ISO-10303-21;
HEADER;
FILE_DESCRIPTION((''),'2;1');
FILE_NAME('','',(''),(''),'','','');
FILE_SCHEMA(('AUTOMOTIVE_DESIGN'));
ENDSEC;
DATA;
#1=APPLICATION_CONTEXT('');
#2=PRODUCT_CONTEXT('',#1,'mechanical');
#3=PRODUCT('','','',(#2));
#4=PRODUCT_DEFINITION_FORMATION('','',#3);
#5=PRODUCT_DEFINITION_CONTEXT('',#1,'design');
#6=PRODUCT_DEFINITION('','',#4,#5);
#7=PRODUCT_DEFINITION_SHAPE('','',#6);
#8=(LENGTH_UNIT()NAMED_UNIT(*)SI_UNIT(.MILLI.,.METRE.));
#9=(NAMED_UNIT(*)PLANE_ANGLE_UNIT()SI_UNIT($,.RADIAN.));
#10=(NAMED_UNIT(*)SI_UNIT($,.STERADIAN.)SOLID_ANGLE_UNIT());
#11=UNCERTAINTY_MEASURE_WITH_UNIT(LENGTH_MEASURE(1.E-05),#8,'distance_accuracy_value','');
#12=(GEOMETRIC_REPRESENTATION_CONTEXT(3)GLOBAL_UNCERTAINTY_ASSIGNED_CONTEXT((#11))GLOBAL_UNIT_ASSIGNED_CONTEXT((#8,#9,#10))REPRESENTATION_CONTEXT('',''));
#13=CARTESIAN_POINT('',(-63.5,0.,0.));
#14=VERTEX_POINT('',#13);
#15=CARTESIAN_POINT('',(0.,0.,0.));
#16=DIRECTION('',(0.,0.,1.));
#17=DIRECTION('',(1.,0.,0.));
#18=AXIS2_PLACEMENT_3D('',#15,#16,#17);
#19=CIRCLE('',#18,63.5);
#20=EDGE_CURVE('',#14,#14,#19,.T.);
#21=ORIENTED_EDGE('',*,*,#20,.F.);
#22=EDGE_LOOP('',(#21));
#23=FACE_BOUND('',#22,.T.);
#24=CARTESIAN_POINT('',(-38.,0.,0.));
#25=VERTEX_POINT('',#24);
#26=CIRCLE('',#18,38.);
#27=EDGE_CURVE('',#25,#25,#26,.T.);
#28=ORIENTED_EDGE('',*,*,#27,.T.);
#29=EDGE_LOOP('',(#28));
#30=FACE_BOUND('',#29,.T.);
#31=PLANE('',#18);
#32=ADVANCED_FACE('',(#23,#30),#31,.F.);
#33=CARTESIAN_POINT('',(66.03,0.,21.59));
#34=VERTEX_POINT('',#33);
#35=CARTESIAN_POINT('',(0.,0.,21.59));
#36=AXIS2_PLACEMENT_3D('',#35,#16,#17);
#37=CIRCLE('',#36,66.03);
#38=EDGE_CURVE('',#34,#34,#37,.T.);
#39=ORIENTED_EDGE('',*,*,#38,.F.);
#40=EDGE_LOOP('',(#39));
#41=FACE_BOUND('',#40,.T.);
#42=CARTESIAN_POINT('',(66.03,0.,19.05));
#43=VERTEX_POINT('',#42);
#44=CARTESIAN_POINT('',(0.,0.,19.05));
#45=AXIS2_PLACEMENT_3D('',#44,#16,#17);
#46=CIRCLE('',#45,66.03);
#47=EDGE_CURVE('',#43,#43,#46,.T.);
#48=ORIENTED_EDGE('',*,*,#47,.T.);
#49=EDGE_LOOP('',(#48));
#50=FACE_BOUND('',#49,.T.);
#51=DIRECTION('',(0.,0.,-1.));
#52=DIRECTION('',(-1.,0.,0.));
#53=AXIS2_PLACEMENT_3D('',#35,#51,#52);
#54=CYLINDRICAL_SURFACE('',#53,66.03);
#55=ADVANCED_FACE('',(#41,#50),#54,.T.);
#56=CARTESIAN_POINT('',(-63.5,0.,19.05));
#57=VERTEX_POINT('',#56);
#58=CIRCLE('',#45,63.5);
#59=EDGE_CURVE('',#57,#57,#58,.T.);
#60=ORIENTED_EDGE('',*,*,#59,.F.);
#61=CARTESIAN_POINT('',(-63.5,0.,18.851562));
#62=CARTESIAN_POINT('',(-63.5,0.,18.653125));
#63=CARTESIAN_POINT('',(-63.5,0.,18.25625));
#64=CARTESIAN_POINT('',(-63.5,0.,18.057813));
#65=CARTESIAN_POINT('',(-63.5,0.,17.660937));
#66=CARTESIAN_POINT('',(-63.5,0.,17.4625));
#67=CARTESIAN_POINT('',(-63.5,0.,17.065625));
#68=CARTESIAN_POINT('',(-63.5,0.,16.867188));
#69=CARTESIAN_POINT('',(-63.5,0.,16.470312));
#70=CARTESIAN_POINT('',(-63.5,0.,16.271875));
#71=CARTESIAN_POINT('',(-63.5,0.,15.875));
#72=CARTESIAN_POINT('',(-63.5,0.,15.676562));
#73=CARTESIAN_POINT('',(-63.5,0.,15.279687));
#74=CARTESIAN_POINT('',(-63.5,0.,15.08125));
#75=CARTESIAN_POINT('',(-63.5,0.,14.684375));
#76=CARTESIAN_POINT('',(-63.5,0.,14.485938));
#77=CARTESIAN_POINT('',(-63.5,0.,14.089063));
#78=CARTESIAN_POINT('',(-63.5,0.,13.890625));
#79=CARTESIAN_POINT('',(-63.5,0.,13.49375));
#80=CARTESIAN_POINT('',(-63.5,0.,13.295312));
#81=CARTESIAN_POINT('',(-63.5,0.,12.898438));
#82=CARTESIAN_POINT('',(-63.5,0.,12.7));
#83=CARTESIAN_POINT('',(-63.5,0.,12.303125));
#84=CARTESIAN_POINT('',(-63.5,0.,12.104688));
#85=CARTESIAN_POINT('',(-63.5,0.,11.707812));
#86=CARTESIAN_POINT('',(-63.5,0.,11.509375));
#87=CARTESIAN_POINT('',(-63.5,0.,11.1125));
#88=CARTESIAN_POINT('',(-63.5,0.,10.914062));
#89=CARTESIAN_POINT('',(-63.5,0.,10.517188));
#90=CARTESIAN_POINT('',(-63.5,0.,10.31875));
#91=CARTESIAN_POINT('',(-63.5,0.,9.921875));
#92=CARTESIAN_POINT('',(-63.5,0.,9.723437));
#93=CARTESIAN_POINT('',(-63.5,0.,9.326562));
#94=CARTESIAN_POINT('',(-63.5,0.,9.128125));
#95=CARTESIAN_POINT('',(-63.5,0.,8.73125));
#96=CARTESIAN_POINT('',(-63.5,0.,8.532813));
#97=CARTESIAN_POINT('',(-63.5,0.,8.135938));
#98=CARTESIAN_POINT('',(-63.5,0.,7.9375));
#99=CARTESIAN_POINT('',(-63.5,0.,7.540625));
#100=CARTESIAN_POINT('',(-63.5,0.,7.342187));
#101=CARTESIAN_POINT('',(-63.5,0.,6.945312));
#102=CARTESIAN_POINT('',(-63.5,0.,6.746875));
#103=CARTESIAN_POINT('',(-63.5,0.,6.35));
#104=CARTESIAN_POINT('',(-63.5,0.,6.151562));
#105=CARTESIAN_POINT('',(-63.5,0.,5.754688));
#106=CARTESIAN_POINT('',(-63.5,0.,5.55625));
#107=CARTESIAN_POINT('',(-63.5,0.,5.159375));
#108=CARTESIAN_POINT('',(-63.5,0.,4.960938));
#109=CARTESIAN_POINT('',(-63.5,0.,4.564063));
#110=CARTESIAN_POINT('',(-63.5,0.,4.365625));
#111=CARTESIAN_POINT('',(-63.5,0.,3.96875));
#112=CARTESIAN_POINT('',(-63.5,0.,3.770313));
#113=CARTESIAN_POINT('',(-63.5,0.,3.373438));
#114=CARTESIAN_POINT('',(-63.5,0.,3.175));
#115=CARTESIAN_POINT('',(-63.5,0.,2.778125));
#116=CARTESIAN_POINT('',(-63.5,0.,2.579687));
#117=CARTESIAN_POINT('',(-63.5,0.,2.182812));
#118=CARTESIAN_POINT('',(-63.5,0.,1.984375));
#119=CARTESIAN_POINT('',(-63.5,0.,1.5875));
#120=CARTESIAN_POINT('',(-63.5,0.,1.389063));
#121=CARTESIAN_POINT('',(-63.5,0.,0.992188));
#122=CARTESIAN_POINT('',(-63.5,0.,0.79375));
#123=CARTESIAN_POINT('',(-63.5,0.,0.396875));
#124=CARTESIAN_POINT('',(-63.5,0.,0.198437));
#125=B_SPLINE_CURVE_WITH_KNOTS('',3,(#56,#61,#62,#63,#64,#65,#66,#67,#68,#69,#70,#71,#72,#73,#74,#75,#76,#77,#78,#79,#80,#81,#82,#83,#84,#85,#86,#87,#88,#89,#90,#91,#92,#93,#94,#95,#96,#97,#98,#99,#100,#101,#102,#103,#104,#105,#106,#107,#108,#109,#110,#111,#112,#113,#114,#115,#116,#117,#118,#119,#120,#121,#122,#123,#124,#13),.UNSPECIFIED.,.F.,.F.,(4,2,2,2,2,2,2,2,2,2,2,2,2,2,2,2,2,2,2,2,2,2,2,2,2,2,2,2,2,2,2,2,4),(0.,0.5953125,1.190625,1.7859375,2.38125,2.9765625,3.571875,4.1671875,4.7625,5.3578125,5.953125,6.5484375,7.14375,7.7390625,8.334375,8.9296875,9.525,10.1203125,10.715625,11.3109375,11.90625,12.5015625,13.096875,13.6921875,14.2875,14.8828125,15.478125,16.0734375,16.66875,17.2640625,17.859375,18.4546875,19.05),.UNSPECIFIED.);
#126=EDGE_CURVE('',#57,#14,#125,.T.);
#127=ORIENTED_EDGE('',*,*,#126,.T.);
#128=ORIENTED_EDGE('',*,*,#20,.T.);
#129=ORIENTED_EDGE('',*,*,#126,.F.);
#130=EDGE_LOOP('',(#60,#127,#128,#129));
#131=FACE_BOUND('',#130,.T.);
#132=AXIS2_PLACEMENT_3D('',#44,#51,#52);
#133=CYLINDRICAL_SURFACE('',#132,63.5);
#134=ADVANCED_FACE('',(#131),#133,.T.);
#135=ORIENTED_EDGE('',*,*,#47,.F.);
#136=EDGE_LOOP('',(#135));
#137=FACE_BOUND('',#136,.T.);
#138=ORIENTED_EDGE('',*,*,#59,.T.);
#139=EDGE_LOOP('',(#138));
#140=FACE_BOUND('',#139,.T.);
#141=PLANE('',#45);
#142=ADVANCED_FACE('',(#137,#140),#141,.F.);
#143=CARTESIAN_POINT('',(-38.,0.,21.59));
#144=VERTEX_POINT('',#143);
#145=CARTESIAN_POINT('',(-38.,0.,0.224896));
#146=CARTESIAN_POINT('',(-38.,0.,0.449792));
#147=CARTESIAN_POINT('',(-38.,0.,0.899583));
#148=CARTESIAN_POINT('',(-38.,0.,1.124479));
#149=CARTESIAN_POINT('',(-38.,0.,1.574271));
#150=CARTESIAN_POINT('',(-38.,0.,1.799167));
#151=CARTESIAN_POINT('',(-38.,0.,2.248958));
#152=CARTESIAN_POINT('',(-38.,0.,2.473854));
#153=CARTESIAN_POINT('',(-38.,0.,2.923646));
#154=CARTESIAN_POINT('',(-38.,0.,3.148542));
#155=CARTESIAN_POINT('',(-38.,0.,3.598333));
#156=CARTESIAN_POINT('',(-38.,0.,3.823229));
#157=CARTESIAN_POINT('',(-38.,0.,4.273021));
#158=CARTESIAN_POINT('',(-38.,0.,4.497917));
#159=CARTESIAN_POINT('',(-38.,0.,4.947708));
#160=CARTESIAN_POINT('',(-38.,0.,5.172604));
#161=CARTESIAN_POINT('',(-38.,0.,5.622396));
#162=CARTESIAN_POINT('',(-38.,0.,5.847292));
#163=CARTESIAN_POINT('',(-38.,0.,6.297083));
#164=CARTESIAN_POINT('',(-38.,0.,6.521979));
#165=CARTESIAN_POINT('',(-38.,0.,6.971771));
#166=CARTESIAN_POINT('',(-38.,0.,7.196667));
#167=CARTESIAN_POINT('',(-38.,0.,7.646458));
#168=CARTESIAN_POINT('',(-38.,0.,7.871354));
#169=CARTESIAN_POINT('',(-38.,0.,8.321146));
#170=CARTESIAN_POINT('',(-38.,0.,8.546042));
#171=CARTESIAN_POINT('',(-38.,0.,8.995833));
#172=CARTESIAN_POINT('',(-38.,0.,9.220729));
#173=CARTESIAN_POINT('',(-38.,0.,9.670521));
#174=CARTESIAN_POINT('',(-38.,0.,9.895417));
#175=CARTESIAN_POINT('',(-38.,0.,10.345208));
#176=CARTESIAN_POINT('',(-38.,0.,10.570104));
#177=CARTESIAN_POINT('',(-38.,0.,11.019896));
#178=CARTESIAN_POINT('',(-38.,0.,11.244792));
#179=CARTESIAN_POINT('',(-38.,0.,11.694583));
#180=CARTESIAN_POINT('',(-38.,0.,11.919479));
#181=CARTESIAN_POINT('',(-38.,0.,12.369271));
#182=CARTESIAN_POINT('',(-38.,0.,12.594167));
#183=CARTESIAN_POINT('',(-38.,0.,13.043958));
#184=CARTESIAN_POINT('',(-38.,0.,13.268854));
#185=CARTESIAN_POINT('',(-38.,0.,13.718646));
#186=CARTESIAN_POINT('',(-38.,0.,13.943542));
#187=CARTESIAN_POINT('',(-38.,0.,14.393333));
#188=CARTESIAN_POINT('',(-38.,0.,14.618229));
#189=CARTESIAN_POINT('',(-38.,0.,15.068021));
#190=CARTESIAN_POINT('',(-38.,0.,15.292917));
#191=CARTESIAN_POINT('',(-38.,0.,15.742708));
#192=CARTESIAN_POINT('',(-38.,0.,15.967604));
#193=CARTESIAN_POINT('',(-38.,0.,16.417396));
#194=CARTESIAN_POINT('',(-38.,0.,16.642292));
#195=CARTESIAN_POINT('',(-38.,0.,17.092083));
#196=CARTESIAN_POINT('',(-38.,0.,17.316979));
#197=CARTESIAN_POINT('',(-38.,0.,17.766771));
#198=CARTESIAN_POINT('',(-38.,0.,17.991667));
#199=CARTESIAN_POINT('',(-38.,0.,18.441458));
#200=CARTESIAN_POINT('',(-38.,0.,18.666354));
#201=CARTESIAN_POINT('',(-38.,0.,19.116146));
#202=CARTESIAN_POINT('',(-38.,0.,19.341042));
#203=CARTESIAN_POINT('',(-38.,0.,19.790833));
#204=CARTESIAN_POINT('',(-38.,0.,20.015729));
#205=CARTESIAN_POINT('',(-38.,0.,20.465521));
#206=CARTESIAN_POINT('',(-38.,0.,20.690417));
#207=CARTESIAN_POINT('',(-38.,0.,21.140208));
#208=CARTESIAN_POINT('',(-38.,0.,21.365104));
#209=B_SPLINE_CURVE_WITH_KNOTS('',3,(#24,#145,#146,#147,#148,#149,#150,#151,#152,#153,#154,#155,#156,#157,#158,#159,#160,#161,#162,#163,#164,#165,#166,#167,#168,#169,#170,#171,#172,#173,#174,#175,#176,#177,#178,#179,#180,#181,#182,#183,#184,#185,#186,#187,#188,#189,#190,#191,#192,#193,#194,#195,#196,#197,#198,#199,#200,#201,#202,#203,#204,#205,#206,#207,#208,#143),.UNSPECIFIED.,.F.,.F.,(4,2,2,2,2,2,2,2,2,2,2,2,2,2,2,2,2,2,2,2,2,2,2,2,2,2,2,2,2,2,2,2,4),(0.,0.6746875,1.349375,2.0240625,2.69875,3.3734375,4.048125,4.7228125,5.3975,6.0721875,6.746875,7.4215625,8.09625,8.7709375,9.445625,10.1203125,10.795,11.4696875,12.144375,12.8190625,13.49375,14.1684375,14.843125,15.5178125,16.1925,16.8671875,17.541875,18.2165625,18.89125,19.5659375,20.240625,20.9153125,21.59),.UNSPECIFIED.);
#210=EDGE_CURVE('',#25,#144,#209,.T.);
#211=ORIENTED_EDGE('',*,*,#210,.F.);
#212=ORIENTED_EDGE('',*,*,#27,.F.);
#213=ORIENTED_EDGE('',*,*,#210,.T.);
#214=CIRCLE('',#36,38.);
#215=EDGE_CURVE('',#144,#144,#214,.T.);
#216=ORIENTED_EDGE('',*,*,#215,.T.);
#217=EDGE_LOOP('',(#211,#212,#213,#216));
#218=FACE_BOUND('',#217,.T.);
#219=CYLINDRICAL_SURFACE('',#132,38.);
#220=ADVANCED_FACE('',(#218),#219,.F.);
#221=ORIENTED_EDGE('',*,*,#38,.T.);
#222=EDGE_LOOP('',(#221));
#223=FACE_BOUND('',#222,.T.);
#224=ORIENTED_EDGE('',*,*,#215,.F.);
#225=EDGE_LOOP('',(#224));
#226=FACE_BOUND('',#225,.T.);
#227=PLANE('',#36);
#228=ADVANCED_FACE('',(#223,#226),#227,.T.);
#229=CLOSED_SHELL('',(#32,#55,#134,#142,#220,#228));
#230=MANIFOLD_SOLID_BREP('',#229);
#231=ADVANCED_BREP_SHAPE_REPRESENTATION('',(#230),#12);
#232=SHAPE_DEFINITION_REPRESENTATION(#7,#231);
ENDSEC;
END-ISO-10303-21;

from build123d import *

# Parameters (mm, degrees)
SKETCH1_R           = 63.5
SKETCH1_R_2         = 38
BOSS_EXTRUDE1_DEPTH = 19.05
SKETCH3_R           = 66.03
SKETCH3_R_2         = 38
BOSS_EXTRUDE2_DEPTH = 2.54


with BuildPart() as part:
    # Sketch1 → Boss-Extrude1 (new body)
    with BuildSketch(Plane.XY):
        with Locations(Location((0, 0, 0), (0, 0, 180))):
            Circle(SKETCH1_R)
        with Locations(Location((0, 0, 0), (0, 0, 180))):
            Circle(SKETCH1_R_2, mode=Mode.SUBTRACT)
    extrude(amount=BOSS_EXTRUDE1_DEPTH)

    # Sketch3 → Boss-Extrude2 (add)
    with BuildSketch(Plane.XY.offset(19.05)):
        Circle(SKETCH3_R)
        with Locations(Location((0, 0, 0), (0, 0, 180))):
            Circle(SKETCH3_R_2, mode=Mode.SUBTRACT)
    extrude(amount=BOSS_EXTRUDE2_DEPTH)


solid = part.part
